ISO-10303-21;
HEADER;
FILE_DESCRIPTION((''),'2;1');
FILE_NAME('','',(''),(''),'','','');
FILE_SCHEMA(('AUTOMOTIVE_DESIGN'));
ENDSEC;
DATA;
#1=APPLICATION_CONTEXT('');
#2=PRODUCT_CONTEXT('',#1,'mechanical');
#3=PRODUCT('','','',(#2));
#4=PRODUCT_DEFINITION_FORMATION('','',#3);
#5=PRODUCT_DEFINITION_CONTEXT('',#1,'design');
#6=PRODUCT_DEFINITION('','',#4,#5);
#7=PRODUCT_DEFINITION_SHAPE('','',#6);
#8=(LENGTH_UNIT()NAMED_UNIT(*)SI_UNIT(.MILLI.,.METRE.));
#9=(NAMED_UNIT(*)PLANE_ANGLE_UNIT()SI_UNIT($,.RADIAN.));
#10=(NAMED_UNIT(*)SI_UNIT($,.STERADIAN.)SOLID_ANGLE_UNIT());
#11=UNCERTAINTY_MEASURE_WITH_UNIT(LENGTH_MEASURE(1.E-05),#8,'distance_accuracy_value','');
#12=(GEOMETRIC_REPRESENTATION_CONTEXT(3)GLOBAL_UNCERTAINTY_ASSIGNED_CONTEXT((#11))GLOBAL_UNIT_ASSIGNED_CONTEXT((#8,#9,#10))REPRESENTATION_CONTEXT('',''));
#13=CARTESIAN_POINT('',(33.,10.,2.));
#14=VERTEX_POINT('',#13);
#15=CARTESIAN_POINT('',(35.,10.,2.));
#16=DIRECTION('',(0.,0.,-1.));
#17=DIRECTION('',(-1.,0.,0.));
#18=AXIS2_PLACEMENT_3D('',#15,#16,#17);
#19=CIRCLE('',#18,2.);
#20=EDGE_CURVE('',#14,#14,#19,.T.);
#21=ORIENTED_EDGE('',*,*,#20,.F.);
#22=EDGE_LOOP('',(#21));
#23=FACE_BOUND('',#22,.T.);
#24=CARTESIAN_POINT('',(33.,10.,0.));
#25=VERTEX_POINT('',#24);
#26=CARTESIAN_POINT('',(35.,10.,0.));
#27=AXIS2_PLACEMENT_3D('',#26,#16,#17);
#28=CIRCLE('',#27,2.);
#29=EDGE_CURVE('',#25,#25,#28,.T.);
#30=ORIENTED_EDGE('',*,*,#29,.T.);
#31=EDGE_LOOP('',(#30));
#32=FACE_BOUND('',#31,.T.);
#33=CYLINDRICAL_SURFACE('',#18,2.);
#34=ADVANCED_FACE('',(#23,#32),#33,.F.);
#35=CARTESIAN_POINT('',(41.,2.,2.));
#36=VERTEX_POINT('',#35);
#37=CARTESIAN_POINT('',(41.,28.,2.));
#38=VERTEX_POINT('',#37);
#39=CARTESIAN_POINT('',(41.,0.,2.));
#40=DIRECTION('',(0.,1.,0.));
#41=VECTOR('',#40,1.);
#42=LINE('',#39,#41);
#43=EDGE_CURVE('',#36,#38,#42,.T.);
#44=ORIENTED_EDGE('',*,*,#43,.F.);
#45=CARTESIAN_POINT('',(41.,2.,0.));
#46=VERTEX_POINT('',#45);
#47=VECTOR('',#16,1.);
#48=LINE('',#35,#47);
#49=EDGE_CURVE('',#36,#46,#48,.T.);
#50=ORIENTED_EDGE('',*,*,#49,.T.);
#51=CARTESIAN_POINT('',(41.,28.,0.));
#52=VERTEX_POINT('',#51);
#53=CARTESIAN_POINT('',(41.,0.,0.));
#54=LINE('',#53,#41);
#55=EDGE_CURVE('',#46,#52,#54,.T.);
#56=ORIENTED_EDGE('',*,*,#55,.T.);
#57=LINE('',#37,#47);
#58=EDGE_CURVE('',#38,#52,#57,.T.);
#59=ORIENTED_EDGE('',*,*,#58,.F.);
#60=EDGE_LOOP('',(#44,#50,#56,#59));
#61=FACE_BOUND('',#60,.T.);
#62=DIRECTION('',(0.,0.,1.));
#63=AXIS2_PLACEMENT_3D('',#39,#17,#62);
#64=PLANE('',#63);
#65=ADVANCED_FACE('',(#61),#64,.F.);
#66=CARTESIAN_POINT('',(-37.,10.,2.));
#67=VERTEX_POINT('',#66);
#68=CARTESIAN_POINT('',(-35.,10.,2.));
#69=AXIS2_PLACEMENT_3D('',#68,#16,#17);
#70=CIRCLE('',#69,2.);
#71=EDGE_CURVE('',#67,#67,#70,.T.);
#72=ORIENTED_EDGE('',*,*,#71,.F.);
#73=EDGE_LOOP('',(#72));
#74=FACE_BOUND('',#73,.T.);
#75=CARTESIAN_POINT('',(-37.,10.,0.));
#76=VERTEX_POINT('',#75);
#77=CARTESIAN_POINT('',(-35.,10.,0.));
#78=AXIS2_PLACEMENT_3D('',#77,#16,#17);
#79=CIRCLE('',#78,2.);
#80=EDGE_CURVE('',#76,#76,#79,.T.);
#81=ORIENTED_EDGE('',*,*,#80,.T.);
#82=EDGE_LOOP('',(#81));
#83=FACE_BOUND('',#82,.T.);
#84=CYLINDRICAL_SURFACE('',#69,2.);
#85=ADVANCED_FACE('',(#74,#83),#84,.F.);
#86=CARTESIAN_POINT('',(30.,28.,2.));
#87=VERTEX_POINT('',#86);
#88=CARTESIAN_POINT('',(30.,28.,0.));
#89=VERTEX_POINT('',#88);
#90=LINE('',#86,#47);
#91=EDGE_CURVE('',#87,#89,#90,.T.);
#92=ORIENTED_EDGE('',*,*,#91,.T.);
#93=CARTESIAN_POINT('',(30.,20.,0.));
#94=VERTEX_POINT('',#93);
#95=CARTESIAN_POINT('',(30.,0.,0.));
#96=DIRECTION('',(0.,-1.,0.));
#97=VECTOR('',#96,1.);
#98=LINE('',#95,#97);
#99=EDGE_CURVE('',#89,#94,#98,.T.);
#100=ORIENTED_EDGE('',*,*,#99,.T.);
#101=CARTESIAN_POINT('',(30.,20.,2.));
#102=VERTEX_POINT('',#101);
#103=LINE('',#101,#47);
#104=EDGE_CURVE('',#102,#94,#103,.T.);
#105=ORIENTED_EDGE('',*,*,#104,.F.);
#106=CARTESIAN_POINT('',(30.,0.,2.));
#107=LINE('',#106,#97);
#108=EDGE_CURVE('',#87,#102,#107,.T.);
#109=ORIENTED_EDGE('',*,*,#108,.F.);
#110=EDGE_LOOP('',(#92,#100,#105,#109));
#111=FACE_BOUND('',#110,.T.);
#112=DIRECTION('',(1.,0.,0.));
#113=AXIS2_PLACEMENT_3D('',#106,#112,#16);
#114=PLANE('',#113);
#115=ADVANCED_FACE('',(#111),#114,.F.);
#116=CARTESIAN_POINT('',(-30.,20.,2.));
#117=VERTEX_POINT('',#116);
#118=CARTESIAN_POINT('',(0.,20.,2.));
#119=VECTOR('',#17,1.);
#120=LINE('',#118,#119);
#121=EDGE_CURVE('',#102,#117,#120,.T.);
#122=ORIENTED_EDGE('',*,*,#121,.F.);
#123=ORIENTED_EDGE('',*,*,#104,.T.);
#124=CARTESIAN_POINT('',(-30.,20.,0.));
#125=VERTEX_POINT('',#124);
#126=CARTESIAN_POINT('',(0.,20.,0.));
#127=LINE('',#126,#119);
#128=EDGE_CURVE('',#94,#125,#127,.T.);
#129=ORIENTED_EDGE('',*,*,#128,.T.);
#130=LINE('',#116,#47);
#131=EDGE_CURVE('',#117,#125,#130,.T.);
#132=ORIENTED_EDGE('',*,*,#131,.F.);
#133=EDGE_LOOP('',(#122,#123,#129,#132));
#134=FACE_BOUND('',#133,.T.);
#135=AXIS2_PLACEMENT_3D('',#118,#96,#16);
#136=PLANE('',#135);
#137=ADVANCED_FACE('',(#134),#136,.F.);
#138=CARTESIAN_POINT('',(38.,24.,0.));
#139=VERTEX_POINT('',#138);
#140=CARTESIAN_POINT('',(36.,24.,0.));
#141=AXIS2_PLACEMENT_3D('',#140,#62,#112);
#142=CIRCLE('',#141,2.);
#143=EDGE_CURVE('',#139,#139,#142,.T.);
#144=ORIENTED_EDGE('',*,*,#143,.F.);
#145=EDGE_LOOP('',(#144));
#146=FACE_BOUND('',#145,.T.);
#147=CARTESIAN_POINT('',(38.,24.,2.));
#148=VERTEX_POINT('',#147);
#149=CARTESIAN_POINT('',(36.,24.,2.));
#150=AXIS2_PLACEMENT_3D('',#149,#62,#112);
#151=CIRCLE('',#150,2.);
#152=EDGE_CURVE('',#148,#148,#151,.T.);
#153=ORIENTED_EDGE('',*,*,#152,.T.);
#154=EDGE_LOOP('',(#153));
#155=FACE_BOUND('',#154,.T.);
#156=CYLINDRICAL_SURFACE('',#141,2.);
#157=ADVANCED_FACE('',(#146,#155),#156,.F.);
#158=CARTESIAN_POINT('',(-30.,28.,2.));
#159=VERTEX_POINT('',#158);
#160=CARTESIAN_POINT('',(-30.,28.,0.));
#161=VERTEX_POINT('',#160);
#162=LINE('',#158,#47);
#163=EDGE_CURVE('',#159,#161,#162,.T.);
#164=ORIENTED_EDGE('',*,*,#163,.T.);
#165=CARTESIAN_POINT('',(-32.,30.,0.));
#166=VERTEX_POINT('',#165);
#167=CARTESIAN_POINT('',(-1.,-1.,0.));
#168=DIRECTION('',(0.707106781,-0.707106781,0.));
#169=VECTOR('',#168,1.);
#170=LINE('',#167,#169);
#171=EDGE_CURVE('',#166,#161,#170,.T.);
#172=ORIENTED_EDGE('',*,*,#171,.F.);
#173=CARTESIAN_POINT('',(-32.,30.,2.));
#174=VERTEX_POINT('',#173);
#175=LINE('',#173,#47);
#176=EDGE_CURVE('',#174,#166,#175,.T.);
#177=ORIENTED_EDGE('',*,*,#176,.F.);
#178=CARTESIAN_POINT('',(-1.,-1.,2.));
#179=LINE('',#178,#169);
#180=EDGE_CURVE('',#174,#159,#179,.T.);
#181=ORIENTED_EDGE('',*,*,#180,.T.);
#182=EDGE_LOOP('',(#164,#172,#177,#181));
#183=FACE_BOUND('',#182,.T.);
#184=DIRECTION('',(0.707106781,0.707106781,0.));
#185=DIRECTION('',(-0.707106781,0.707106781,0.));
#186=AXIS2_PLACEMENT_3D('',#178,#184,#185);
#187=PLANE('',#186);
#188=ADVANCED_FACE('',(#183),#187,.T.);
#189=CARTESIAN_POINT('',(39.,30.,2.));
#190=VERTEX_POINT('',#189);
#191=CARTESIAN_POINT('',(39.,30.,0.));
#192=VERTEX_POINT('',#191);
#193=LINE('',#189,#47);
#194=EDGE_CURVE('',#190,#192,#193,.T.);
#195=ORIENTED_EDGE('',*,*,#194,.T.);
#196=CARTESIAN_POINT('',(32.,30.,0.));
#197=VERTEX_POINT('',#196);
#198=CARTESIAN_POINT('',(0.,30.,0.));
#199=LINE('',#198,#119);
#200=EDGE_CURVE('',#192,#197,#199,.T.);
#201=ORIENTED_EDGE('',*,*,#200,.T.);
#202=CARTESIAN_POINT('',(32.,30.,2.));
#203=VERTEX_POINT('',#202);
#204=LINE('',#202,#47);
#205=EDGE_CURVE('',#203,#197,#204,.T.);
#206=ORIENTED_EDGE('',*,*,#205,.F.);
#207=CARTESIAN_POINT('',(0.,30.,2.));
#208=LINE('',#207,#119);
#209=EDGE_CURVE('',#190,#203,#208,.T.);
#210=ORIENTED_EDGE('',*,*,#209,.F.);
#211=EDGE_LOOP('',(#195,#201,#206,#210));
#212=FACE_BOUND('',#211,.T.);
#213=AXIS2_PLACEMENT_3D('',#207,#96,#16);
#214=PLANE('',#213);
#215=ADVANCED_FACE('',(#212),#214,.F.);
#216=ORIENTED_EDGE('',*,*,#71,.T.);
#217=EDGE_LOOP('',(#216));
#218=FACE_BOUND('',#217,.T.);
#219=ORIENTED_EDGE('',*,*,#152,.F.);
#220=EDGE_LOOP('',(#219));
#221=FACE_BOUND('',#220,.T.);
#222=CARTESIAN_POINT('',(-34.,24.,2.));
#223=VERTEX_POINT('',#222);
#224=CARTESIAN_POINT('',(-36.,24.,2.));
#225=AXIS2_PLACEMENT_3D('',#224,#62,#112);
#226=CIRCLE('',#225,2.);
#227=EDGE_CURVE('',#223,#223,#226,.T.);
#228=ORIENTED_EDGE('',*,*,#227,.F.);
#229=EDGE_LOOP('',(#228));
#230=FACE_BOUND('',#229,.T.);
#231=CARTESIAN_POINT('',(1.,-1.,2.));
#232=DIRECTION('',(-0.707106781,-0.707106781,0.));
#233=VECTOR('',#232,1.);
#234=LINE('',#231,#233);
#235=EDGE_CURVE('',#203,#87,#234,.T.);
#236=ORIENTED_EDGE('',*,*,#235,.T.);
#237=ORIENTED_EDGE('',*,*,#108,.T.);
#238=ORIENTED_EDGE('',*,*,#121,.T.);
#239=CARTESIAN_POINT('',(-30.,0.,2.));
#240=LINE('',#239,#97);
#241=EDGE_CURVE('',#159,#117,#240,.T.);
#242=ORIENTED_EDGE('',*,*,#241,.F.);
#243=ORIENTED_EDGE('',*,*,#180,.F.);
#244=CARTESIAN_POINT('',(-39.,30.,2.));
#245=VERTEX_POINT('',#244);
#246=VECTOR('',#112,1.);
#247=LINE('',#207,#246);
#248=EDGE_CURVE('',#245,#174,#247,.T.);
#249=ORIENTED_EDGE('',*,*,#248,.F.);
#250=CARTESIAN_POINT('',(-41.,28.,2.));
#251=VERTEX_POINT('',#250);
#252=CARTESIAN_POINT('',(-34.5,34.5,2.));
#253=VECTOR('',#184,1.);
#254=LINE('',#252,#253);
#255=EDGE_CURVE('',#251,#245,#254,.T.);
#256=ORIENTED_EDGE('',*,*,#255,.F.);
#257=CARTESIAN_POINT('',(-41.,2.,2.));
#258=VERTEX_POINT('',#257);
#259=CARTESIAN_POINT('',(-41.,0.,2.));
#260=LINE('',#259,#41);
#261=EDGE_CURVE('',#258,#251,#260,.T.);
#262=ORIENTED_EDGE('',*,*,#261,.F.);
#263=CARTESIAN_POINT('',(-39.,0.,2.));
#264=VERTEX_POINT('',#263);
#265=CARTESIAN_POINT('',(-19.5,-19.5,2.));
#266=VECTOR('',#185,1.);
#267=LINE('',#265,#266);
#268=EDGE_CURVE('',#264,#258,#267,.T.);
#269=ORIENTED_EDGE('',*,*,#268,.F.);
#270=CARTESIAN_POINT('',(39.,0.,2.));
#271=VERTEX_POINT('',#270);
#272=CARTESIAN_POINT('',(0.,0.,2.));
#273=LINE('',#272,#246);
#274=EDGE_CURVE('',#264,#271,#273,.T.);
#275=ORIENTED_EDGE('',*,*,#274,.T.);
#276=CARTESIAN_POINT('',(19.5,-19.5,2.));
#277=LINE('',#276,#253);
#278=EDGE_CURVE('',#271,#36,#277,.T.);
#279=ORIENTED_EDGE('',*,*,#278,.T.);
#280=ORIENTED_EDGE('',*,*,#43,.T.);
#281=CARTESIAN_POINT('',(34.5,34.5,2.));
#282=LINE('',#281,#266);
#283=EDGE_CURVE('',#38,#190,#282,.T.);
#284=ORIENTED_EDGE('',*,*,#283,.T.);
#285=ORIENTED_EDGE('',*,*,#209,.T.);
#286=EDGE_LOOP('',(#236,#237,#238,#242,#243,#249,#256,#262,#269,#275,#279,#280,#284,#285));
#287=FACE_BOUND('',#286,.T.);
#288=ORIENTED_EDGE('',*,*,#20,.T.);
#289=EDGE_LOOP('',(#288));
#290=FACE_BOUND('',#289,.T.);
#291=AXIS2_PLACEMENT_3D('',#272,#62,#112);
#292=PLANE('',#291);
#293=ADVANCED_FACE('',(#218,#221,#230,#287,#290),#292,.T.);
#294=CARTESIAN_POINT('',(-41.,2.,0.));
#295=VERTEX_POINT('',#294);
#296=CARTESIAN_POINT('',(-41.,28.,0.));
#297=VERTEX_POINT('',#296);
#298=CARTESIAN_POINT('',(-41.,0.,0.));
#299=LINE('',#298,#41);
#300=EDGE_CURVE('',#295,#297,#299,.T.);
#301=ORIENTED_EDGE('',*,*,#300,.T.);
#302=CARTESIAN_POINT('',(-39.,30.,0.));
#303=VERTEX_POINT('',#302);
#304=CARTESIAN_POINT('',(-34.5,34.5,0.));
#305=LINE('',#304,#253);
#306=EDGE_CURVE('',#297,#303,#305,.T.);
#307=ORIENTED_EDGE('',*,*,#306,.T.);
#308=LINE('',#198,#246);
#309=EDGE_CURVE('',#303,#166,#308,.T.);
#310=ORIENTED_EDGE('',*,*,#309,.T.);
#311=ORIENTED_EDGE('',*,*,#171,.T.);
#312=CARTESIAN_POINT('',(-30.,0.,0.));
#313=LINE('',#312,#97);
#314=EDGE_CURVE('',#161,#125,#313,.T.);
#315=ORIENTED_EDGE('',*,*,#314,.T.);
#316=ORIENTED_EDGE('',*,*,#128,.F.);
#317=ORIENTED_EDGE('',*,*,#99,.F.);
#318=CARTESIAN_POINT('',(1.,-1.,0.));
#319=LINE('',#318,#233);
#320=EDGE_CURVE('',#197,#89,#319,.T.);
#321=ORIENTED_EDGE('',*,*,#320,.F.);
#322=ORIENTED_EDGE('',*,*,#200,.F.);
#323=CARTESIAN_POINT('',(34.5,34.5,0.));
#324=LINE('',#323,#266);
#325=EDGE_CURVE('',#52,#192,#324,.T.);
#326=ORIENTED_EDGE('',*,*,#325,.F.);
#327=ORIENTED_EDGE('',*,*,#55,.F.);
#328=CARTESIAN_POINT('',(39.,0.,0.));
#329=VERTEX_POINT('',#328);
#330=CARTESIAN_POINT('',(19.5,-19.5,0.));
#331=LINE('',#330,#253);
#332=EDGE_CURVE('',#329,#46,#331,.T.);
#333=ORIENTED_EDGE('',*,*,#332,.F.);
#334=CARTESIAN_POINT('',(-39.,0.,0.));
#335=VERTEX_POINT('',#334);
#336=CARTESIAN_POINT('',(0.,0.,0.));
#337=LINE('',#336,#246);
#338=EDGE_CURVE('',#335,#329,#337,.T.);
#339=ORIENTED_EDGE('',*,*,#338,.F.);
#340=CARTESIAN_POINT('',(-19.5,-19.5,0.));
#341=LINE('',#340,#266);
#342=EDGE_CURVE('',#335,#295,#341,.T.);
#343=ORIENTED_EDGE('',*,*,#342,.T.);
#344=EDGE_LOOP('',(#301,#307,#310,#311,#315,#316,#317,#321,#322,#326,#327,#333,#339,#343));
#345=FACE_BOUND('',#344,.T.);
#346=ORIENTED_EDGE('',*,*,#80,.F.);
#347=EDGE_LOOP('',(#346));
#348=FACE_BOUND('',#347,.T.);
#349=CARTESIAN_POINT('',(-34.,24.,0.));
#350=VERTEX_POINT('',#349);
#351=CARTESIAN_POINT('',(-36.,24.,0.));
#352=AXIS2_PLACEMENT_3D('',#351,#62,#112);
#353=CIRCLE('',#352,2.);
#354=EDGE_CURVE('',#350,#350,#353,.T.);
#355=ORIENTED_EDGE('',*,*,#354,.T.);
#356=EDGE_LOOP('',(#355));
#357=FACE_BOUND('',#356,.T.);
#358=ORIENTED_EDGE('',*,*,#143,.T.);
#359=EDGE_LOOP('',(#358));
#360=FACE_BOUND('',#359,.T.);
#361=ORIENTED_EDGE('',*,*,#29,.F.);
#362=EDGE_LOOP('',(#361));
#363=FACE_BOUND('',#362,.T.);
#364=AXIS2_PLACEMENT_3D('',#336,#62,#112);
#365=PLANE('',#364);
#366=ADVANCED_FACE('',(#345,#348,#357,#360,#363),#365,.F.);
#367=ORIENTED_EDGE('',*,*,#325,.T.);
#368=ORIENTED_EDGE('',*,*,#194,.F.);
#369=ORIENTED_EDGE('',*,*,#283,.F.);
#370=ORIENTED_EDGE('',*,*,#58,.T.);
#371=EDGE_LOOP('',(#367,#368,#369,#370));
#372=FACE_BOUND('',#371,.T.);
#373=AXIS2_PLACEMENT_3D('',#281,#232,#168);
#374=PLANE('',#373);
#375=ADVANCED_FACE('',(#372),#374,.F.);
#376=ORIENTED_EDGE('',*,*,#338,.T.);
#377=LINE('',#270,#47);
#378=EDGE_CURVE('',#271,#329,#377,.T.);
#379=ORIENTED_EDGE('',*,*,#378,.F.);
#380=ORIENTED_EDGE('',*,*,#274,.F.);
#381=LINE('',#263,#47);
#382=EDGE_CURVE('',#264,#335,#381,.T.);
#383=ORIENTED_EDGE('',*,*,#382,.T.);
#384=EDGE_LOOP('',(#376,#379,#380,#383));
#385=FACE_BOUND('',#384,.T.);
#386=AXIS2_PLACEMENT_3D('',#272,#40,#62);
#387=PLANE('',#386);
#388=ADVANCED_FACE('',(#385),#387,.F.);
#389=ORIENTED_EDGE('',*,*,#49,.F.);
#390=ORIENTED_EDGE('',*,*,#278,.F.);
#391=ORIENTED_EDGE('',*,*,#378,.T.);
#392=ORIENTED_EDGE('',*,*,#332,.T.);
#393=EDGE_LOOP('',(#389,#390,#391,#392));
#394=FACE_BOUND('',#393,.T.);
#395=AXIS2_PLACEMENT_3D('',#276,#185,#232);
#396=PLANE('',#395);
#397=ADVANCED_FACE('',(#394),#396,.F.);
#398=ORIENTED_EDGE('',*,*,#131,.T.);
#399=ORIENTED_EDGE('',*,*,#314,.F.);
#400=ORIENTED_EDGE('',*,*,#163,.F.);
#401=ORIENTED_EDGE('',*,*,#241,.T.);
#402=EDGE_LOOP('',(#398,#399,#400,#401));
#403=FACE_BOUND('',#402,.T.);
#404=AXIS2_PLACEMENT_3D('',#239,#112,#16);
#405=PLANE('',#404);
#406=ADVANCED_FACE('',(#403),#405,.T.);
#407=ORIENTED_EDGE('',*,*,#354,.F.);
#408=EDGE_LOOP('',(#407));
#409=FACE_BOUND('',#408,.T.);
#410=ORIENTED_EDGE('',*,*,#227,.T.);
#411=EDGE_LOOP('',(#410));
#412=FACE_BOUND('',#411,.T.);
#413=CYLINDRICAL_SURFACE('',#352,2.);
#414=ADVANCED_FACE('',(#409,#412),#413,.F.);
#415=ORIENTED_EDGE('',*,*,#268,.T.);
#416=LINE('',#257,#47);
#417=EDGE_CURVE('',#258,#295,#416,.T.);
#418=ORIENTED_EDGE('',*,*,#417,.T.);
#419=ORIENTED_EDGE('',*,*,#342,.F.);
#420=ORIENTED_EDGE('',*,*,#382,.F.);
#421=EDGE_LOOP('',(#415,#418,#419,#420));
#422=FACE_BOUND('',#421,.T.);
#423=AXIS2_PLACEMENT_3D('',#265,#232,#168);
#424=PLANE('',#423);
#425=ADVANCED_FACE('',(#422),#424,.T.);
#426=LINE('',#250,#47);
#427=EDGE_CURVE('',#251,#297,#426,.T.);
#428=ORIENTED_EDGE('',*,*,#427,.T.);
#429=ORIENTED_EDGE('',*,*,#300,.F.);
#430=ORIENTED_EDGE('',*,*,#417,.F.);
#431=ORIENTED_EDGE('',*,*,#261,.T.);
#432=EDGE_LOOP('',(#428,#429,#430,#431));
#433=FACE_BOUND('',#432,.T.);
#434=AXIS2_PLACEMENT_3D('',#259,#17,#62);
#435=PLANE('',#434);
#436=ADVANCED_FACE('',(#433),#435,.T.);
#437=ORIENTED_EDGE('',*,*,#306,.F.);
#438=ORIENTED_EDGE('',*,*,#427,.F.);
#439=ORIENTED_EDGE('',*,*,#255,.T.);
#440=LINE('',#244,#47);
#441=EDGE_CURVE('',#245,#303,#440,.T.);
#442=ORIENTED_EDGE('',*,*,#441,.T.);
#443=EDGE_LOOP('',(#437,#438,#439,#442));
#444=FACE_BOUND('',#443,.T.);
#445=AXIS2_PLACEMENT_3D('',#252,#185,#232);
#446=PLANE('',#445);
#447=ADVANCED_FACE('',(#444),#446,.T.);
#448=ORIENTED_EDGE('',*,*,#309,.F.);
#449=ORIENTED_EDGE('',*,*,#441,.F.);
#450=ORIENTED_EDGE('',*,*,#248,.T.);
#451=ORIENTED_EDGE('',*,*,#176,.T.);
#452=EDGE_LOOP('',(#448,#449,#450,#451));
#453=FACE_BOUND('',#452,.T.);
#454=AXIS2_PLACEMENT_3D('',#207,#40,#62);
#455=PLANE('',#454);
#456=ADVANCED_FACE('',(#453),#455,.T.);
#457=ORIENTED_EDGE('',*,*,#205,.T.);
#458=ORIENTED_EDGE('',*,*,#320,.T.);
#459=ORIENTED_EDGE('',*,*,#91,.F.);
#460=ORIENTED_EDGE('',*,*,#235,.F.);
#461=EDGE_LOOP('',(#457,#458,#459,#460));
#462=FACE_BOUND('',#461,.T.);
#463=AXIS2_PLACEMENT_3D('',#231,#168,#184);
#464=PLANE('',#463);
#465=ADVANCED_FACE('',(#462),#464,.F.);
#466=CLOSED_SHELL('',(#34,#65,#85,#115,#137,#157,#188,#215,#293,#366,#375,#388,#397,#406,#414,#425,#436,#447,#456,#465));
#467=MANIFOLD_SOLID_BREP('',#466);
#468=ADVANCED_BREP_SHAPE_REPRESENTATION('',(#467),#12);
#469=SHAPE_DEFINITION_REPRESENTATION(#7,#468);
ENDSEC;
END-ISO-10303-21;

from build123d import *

# Parameters (mm, degrees)
BOSS_EXTRUDE1_DEPTH = 2
SKETCH2_R           = 2
CUT_EXTRUDE1_DEPTH  = 2
SKETCH3_R           = 2
CUT_EXTRUDE2_DEPTH  = 2


with BuildPart() as part:
    # Sketch1 → Boss-Extrude1 (new body)
    with BuildSketch(Plane.XY):
        Polygon((-41, 2), (-39, 0), (0, 0), (0, 20), (-30, 20), (-30, 28), (-32, 30), (-39, 30), (-41, 28), align=None)
        Polygon((0, 20), (0, 0), (39, 0), (41, 2), (41, 28), (39, 30), (32, 30), (30, 28), (30, 20), align=None)
    extrude(amount=BOSS_EXTRUDE1_DEPTH)

    # Sketch2 → Cut-Extrude1 (cut)
    with BuildSketch(Plane.XY.offset(2)):
        with Locations((-36, 24)):
            Circle(SKETCH2_R)
        with Locations((36, 24)):
            Circle(SKETCH2_R)
    extrude(amount=-CUT_EXTRUDE1_DEPTH, mode=Mode.SUBTRACT)

    # Sketch3 → Cut-Extrude2 (cut)
    with BuildSketch(Plane(origin=(0, 0, 0), x_dir=(-1, 0, 0), z_dir=(0, 0, -1))):
        with Locations((-35, 10)):
            Circle(SKETCH3_R)
        with Locations((35, 10)):
            Circle(SKETCH3_R)
    extrude(amount=-CUT_EXTRUDE2_DEPTH, mode=Mode.SUBTRACT)


solid = part.part
